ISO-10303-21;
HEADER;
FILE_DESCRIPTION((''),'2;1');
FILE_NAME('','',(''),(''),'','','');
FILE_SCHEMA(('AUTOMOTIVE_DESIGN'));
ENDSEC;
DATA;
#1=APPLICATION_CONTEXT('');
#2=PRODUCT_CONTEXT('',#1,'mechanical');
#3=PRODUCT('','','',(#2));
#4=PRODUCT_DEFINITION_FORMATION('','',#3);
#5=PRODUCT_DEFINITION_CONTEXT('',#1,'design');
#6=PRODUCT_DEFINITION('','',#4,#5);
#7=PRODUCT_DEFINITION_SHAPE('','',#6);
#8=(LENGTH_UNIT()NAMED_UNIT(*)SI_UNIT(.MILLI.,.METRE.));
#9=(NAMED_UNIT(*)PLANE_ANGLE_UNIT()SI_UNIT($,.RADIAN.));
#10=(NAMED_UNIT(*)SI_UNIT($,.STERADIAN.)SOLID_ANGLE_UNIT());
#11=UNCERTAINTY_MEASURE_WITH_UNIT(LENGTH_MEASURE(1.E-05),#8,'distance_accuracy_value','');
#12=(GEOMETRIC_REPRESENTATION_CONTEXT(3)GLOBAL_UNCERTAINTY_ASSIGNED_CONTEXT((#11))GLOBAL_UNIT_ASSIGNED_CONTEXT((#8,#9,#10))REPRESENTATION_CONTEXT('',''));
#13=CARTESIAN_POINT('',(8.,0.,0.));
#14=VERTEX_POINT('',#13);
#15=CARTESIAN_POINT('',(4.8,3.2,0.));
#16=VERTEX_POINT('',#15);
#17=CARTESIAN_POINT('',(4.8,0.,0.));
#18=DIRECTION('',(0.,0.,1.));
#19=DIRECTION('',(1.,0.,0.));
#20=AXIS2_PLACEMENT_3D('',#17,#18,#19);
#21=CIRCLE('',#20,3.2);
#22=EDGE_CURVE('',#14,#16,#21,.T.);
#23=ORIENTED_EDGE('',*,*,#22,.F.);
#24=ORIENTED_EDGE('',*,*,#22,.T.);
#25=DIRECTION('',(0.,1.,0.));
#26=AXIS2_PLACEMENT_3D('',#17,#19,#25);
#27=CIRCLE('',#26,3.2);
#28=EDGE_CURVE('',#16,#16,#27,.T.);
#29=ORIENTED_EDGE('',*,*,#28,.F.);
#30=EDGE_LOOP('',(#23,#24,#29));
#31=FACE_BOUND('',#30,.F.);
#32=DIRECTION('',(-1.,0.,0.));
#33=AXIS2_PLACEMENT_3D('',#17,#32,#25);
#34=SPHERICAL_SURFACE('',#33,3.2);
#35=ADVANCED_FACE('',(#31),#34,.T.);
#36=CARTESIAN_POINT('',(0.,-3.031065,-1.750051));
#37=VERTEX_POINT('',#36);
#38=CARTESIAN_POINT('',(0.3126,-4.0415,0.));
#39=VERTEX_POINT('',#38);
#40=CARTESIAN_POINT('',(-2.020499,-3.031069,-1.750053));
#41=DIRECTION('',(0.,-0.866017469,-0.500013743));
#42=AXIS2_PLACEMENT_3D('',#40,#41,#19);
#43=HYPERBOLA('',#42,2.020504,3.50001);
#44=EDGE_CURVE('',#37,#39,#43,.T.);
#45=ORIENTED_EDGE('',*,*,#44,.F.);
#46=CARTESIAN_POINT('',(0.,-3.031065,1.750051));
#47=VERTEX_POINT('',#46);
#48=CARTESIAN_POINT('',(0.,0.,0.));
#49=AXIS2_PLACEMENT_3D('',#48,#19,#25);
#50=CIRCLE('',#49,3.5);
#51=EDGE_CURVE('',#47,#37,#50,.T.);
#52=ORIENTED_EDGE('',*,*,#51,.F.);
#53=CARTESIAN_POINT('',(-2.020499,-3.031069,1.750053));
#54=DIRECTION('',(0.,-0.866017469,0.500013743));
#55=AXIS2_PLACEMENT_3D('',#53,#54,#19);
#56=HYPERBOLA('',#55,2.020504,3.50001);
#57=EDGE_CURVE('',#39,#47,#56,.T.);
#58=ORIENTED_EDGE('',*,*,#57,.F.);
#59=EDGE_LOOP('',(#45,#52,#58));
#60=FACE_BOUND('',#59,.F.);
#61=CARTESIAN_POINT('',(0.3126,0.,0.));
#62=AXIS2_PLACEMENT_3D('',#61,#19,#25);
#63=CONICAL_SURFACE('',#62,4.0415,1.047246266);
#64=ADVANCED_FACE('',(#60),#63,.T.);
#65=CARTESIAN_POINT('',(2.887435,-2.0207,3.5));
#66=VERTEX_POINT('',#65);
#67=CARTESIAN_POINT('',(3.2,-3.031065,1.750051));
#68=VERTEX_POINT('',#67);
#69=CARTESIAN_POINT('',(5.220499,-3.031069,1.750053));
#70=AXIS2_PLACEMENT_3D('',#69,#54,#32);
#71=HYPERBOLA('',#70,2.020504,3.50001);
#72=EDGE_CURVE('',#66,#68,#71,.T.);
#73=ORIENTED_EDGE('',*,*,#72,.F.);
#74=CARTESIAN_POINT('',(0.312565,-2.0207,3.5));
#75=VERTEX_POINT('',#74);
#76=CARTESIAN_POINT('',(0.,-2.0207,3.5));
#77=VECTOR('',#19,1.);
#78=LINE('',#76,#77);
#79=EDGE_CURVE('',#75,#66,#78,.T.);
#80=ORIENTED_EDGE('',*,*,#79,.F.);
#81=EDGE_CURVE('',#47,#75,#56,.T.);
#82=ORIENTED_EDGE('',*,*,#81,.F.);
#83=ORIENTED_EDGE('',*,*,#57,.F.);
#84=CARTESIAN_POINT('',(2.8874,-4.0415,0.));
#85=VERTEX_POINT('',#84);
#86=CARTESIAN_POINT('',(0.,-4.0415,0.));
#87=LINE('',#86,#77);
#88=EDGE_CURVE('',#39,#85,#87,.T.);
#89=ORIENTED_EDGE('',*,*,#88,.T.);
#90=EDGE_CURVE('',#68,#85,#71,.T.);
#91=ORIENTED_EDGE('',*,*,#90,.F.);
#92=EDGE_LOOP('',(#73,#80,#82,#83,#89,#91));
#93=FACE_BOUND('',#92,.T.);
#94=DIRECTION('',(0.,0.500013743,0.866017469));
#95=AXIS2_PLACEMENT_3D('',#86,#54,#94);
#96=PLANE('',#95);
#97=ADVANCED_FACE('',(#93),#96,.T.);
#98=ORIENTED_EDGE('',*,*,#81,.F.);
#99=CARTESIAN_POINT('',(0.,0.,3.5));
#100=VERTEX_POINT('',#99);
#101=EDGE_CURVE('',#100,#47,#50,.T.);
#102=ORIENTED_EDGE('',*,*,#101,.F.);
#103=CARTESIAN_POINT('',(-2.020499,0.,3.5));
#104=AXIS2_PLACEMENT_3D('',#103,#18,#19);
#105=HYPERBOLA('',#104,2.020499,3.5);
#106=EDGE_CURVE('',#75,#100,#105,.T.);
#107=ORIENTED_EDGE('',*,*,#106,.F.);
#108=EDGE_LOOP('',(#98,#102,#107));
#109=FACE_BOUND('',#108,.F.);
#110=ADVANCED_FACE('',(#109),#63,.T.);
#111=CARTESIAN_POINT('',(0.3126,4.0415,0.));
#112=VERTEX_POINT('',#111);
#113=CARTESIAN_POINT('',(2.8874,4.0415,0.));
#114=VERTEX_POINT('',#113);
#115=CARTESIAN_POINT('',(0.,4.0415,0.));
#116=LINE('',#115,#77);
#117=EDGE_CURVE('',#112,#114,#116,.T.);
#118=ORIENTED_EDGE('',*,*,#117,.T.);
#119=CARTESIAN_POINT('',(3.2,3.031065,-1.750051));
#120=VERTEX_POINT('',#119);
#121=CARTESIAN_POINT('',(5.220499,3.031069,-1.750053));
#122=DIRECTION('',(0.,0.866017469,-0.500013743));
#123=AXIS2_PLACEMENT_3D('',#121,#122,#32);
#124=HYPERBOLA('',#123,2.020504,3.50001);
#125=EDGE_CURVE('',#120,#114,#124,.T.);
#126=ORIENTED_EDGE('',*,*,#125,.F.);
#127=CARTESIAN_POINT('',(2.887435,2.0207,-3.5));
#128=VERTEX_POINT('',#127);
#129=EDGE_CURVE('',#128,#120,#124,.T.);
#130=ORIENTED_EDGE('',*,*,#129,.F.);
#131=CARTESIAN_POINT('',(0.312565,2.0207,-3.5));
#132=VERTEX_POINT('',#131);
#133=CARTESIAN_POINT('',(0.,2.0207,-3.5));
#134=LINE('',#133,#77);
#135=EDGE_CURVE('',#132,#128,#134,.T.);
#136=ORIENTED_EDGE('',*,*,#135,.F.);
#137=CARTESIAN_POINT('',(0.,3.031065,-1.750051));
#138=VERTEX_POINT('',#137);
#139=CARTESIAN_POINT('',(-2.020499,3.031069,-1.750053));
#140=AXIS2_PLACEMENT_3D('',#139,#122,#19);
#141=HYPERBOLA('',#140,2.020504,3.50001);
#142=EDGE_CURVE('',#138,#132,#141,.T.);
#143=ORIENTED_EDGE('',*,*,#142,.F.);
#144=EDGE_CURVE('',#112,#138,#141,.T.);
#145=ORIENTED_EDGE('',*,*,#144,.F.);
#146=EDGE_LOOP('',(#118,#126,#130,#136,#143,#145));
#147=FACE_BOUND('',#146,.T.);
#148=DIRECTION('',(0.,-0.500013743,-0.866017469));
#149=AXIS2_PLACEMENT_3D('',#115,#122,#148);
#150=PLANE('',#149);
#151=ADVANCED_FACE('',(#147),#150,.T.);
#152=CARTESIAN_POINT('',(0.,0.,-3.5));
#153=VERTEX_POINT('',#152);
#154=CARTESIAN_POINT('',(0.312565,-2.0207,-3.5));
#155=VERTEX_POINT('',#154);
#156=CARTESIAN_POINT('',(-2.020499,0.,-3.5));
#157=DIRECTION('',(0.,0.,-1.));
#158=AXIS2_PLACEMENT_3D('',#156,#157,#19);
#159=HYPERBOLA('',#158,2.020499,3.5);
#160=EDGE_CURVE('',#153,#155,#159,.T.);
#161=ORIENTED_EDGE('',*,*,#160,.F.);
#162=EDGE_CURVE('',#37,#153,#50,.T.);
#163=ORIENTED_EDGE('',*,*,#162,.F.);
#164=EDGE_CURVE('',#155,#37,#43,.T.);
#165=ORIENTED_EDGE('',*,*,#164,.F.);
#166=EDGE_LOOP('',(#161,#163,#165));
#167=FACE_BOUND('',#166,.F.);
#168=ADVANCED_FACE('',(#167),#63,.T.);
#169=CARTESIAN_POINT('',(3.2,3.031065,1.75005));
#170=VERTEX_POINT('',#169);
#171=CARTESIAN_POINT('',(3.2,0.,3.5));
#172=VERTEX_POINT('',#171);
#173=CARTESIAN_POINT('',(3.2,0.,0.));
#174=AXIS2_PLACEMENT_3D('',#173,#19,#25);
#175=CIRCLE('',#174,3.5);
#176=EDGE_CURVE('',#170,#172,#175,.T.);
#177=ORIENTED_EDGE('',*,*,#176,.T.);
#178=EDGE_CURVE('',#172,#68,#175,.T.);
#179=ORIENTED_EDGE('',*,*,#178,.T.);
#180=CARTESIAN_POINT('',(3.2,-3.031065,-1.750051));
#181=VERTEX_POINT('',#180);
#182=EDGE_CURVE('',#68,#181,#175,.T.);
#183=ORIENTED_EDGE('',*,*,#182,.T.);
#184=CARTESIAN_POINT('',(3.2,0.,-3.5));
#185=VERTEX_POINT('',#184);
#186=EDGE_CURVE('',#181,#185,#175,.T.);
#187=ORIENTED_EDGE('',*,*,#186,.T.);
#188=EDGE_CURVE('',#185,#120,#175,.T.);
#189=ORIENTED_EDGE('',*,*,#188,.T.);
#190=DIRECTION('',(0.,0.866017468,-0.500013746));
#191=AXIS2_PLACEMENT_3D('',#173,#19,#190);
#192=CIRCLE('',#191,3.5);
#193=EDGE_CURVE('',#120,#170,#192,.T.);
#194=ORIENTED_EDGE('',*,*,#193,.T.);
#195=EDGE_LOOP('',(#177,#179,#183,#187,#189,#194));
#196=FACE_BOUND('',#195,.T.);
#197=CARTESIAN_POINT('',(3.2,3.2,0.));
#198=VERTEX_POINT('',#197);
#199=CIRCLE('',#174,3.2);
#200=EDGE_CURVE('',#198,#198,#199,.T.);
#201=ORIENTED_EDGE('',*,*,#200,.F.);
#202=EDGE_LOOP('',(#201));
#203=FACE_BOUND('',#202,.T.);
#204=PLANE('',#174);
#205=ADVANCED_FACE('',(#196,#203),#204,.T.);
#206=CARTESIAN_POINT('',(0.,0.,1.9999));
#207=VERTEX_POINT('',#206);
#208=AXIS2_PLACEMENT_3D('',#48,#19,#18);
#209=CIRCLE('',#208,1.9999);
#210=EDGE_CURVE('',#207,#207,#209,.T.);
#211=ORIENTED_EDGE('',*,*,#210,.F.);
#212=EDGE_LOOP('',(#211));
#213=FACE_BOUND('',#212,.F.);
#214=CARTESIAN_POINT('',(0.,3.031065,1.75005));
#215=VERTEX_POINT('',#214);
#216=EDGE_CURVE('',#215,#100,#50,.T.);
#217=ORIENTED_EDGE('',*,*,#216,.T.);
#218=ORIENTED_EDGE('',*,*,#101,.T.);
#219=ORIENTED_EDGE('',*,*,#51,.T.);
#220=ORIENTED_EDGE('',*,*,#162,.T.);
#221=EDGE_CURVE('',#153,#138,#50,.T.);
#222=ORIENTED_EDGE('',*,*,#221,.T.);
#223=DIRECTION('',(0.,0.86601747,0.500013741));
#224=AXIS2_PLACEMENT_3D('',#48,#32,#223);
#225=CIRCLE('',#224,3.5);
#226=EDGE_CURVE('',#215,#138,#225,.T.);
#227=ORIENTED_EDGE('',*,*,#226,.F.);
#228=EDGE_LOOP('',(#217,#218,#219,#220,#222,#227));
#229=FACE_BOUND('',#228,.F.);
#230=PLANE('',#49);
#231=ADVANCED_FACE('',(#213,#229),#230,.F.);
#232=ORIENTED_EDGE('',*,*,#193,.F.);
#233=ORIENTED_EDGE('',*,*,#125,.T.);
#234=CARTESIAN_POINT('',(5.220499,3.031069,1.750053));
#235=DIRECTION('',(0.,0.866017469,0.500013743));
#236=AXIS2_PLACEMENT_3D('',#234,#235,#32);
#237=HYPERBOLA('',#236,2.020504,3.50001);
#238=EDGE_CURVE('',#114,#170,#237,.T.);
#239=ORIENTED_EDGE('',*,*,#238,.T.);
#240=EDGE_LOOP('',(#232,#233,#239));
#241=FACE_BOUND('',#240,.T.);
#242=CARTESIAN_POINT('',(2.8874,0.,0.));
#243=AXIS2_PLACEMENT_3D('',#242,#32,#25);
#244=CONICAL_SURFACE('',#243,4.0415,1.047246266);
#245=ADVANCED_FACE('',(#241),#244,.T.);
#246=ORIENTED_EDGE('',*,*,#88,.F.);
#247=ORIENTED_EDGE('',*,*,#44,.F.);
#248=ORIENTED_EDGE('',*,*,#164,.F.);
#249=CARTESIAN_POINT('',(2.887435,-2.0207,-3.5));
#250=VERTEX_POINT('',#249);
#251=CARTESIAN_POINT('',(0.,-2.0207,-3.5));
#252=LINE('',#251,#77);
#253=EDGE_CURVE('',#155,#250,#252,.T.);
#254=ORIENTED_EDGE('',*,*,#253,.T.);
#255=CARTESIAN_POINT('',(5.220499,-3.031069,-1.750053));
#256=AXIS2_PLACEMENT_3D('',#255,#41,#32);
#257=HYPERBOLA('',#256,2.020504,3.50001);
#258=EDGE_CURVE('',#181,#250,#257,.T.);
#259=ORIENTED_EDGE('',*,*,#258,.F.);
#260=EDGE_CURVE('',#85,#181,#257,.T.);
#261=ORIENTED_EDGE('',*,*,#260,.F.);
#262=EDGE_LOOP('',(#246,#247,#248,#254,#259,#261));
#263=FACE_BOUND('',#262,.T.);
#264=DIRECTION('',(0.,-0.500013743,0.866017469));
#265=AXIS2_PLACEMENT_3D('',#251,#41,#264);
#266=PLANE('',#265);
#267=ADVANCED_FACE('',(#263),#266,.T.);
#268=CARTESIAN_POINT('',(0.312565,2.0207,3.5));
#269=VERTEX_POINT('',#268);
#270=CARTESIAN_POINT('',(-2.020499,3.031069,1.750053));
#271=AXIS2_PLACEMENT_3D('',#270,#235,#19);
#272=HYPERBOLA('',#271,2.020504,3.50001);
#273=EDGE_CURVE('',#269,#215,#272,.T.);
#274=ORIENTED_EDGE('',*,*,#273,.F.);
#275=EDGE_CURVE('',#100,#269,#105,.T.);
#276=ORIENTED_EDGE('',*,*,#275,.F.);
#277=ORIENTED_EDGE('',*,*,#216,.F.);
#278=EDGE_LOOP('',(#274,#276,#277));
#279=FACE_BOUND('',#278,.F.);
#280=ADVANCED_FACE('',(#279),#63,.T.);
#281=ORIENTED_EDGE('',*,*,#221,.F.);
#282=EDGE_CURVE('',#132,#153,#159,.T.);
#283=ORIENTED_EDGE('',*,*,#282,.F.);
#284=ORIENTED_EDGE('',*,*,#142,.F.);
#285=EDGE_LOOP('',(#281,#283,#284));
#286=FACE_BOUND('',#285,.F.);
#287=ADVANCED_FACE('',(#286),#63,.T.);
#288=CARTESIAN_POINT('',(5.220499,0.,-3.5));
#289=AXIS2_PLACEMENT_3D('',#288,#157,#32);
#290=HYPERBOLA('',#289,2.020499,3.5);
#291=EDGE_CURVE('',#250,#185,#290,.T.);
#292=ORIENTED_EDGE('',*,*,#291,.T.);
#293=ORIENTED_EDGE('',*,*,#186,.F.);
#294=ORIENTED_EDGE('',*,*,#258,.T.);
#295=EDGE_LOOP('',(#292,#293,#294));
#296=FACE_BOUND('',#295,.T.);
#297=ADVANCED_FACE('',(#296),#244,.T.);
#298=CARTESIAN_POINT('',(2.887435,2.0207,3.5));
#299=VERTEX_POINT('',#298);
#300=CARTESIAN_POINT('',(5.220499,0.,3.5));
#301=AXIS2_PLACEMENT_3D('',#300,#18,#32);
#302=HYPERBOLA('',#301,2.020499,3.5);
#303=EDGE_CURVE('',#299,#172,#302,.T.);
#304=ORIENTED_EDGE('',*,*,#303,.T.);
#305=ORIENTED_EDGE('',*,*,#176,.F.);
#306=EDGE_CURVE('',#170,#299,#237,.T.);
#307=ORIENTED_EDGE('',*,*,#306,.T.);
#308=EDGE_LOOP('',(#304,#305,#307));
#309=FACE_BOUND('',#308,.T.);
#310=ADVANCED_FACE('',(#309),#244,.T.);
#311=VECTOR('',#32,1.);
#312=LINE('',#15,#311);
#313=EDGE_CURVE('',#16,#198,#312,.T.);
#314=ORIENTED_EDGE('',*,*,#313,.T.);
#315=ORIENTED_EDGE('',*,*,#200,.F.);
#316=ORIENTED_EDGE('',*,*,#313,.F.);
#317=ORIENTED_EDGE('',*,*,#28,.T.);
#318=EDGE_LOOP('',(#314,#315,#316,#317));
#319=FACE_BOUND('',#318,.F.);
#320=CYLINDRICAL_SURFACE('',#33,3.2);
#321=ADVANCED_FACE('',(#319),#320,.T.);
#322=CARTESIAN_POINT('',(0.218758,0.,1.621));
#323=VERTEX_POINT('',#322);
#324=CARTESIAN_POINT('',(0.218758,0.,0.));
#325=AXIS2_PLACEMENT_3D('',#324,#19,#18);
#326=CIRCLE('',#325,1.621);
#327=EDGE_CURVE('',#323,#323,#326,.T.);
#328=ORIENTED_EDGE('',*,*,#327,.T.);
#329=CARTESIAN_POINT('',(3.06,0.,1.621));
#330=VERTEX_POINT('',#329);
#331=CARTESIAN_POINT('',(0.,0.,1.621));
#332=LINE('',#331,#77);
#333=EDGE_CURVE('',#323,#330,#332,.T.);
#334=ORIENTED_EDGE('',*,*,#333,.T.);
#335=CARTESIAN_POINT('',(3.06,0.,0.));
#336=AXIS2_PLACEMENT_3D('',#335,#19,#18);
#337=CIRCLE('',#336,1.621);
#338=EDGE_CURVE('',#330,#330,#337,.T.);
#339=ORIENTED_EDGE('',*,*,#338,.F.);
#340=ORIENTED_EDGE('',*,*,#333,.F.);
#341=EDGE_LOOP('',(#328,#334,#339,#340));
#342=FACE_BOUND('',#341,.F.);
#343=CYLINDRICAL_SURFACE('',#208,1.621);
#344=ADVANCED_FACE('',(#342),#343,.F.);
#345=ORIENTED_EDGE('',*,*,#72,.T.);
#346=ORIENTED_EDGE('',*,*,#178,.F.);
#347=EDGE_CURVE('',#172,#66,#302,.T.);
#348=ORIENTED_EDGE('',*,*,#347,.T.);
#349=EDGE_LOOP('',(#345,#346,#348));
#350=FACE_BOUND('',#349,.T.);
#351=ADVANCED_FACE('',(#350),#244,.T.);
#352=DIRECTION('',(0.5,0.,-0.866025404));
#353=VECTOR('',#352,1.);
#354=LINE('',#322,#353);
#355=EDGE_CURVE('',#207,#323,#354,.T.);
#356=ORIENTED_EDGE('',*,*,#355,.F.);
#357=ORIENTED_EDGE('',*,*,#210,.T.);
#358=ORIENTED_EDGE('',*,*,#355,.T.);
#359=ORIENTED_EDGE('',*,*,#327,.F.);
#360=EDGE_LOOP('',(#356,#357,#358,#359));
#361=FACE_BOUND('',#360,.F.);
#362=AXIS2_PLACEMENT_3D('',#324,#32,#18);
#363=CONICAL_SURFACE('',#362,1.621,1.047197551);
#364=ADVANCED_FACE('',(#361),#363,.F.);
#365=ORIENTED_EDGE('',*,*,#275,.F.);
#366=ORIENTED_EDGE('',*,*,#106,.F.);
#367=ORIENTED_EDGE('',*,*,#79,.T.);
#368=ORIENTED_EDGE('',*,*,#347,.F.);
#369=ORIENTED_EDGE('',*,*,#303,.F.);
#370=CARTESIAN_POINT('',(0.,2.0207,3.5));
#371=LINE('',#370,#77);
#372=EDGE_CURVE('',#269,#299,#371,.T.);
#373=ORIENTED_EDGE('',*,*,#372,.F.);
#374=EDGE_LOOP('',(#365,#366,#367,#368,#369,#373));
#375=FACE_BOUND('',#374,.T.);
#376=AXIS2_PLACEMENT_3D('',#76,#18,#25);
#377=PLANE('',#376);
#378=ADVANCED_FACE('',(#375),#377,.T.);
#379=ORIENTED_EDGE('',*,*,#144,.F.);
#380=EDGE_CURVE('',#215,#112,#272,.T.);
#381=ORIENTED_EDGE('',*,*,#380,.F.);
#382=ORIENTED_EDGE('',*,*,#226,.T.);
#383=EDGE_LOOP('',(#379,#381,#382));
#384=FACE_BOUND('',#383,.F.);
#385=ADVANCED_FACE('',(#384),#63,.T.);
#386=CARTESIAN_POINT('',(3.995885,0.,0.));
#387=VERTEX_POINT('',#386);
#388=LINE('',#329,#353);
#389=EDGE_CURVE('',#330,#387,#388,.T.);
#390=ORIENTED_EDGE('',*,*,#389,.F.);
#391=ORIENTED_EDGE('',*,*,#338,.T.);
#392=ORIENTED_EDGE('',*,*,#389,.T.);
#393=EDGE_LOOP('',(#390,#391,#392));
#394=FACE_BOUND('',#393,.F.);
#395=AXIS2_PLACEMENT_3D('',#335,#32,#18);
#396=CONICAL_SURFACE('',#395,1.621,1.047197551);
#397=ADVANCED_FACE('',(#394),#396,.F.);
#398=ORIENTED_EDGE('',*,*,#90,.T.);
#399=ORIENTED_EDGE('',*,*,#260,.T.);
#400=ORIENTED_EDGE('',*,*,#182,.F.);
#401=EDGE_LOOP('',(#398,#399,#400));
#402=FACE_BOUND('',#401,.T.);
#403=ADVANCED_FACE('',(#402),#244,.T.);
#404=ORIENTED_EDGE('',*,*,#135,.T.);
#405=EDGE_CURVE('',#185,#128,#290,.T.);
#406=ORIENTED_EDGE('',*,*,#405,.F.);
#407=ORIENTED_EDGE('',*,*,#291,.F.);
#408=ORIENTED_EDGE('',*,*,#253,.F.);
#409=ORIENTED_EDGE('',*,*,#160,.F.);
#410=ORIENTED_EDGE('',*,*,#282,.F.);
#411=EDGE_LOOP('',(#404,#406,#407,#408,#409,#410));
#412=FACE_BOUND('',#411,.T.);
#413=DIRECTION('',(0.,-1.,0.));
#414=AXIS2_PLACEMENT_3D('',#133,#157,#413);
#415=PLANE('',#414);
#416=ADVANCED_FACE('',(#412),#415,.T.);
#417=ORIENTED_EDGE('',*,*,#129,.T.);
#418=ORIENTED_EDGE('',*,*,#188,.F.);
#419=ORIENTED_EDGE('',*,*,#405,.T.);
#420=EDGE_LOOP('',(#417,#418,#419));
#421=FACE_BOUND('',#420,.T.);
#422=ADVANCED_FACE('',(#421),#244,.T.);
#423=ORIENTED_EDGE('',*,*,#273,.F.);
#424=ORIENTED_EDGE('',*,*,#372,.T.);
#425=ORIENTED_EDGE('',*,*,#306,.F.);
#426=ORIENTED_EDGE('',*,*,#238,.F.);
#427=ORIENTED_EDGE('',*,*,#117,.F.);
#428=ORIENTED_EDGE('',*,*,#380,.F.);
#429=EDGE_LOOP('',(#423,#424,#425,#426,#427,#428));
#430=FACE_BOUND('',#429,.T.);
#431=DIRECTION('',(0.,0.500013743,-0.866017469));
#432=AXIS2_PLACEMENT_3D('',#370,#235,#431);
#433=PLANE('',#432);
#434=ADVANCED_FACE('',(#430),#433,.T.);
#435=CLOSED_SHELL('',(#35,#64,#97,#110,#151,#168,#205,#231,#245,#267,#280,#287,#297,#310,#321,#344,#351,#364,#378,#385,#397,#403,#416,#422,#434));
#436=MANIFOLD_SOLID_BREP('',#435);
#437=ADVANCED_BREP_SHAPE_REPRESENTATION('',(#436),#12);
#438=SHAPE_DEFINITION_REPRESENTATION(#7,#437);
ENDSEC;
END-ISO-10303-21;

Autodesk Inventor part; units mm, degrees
ref_plane "YZ Plane" through (0, 0, 0) normal (1, 0, 0) x (0, 1, 0)
ref_plane "XZ Plane" through (0, 0, 0) normal (0, 1, 0) x (-1, 0, 0)
sketch "Эскиз1" plane through (0, 0, 0) normal (1, 0, 0) x (0, 1, 0)
  line L0 (-2.0207, -3.5) -> (-4.0415, 0)
  line L1 (-4.0415, 0) -> (-2.0207, 3.5)
  line L2 (-2.0207, 3.5) -> (2.0207, 3.5)
  line L3 (2.0207, 3.5) -> (4.0415, 0)
  line L4 (4.0415, 0) -> (2.0207, -3.5)
  line L5 (2.0207, -3.5) -> (-2.0207, -3.5)
  point P0 (0, 0)
  point P1 (0, 0)
  dimension "d0" = 8.0829
extrude "Базовый элемент" add sketch "Эскиз1" along normal blind 3.2
sketch "Эскиз2" plane through (0, 0, 0) normal (0, 0, 1) x (1, 0, 0)
  line L0 (3.2, 0) -> (8, 0)
  arc A0 (8, 0) -> (4.8, 3.2) centre (4.8, 0) ccw
  line L1 (4.8, 3.2) -> (3.2, 3.2)
  line L2 (3.2, -2.0207) -> (3.2, 2.0207) projected
  line L3 (3.2, 0) -> (3.2, 3.2)
  line L4 (2.1075, 0) -> (9.7553, 0) projected
  dimension "d8" = 3.2
  dimension "d9" = 4.8
revolve "Наконечник" add sketch "Эскиз2" angle 360 about axis through (3.2, 0, 0) along (1, 0, 0)
sketch "Эскиз3" plane through (0, 0, 0) normal (-1, 0, 0) x (0, 0, 1)
  line L0 (0, -5.658) -> (0, 5.658) projected
  line L1 (-4.9, 0) -> (4.9, 0) projected
  point P0 (0, 0)
hole "Резьба" at (0, 0, 0) direction (1, 0, 0) diameter 3.242 depth 3.06 tip angle 120 thread size "M4x0.7" class "6H" standard "ISO Metric profile"
sketch "Эскиз4" plane through (0, 0, 0) normal (0, 0, 1) x (1, 0, 0)
  line L0 (0, 2.0207) -> (0, 4.0415) projected
  line L1 (0, 4.0415) -> (3.2, 4.0415) projected
  line L2 (3.2, 2.0207) -> (3.2, 4.0415) projected
  line L3 (-0.64, 0) -> (3.84, 0) projected
  line L4 (0.3126, 4.0415) -> (0, 3.5)
  line L5 (2.8874, 4.0415) -> (3.2, 3.5)
  dimension "d3" = 7
  dimension "d4" = 30
  dimension "d5" = 7
  dimension "d6" = 30
revolve "Фаска1" cut sketch "Эскиз4" angle 360 about axis through (-10, 0, 0) along (1, 0, 0)
chamfer "Фаска2" distance 0.3789 angle 30 1 edges at (0, 0, -1.621) measured on face at (0, -2.8569, 0.0651)
ref_plane "Work Plane1" through (1.53, 0, 0) normal (0, 0.866, -0.5) x (-1, 0, 0)
equation "\"d0\" = 1.1547 * SW"
equation "\"d1\" = SIH"
equation "\"d8\" = KR"
equation "\"d9\" = KOH1 - SIH"
equation "\"d11\" = GEL"
equation "\"d12\" = 1.02 * GEL"
equation "\"d3\" = SW0"
equation "\"d4\" = ANG1"
equation "\"d5\" = SW01"
equation "\"d6\" = ANG2"
equation "\"d14\" = -0.5 * GD1 + 0.5 * NND"
equation "\"d36\" = -0.5 * GD1 + 0.5 * NND"
equation "\"ANG1\" = 30deg"
equation "\"ANG2\" = 30deg"
equation "\"NND\" = 4"
equation "\"SIH\" = 3.2"
equation "\"KOH1\" = 8"
equation "\"GEL\" = 3"
equation "\"SW\" = 7"
equation "\"KR\" = 3.2"
equation "\"SW0\" = SW"
equation "\"SW01\" = SW"
equation "\"GUL\" = 0.541266 * PTC"
equation "\"THREADDIA\" = 4"
equation "\"SDH\" = 6"
equation "\"TOA\" = 30deg"
equation "\"PTC\" = 0.7"
equation "\"E0\" = 1.155 * SW"
equation "\"GAL\" = 0.541266 * PTC"
equation "\"GD1\" = 3.242228"
properties part number "Гайка M4-6H ГОСТ 11860-85" material "Сталь, мягкая"
